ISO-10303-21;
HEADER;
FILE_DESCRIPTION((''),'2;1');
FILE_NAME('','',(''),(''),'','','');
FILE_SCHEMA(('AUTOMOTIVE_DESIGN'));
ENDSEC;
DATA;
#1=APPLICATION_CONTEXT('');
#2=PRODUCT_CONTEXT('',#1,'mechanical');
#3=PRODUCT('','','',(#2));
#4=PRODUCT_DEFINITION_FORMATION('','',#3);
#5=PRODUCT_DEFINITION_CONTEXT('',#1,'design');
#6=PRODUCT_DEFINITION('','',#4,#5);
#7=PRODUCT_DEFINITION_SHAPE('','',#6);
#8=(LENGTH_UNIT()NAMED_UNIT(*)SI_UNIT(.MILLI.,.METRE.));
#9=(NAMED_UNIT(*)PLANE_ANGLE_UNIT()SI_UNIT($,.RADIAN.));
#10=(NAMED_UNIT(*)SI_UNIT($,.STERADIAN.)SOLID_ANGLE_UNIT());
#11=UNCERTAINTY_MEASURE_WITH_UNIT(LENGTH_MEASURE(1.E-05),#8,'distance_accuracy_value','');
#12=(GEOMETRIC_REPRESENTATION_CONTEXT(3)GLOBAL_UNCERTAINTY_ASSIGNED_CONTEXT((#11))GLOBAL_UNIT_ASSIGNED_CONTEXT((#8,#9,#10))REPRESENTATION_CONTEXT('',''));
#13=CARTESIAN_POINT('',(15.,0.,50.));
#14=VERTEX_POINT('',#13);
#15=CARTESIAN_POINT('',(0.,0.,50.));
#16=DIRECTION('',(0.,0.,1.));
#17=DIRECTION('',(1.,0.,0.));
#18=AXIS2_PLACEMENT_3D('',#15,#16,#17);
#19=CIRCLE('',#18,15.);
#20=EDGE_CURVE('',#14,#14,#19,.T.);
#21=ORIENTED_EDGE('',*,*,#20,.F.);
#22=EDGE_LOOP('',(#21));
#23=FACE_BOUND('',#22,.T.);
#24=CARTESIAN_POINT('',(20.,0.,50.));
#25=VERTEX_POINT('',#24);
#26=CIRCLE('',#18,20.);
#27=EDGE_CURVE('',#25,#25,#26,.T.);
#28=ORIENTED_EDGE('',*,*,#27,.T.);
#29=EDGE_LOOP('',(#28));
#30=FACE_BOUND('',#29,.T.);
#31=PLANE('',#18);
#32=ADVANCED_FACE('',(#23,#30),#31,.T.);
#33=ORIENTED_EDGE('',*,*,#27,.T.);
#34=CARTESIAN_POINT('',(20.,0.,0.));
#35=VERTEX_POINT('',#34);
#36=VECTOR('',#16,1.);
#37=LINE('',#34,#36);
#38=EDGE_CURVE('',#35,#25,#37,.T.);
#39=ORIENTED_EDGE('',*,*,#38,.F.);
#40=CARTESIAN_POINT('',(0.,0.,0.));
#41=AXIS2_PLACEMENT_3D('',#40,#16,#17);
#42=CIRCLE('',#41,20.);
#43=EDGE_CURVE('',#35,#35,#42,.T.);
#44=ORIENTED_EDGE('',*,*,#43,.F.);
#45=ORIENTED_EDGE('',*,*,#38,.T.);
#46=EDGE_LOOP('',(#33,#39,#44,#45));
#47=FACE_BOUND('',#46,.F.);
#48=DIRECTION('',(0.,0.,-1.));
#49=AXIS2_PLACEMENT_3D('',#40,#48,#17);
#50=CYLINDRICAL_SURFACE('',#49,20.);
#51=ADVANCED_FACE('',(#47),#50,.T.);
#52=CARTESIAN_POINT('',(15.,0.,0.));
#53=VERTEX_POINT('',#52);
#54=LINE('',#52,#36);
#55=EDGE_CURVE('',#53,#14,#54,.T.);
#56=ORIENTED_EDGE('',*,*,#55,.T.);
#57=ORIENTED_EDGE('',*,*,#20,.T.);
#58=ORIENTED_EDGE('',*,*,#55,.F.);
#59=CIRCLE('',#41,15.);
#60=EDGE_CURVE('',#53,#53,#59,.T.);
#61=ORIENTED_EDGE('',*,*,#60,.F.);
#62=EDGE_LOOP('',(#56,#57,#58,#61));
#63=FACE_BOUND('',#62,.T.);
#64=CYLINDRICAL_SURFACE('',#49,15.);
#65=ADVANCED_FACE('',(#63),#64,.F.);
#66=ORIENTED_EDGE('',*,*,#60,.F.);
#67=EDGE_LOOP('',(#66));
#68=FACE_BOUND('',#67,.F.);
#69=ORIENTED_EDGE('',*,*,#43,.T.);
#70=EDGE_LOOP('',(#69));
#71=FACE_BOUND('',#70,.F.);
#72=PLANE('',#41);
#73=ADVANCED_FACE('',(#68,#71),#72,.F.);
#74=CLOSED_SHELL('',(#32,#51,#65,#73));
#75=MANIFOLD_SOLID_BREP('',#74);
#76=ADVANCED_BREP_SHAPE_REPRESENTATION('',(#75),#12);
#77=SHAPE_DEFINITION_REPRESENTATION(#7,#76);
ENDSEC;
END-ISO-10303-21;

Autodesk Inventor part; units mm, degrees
ref_plane "YZ Plane" through (0, 0, 0) normal (1, 0, 0) x (0, 1, 0)
ref_plane "XZ Plane" through (0, 0, 0) normal (0, 1, 0) x (-1, 0, 0)
ref_plane "XY Plane" through (0, 0, 0) normal (0, 0, 1) x (1, 0, 0)
sketch "Sketch1" plane through (0, 0, 0) normal (0, 0, 1) x (1, 0, 0)
  circle A0 centre (0, 0) radius 15
  circle A1 centre (0, 0) radius 20
  dimension "d0" = 0
  dimension "d1" = 0
  dimension "d2" = 30
  dimension "d3" = 0
  dimension "d4" = 0
  dimension "d5" = 40
extrude "Extrusion1" add sketch "Sketch1" along normal blind 50
properties part number "coil"
